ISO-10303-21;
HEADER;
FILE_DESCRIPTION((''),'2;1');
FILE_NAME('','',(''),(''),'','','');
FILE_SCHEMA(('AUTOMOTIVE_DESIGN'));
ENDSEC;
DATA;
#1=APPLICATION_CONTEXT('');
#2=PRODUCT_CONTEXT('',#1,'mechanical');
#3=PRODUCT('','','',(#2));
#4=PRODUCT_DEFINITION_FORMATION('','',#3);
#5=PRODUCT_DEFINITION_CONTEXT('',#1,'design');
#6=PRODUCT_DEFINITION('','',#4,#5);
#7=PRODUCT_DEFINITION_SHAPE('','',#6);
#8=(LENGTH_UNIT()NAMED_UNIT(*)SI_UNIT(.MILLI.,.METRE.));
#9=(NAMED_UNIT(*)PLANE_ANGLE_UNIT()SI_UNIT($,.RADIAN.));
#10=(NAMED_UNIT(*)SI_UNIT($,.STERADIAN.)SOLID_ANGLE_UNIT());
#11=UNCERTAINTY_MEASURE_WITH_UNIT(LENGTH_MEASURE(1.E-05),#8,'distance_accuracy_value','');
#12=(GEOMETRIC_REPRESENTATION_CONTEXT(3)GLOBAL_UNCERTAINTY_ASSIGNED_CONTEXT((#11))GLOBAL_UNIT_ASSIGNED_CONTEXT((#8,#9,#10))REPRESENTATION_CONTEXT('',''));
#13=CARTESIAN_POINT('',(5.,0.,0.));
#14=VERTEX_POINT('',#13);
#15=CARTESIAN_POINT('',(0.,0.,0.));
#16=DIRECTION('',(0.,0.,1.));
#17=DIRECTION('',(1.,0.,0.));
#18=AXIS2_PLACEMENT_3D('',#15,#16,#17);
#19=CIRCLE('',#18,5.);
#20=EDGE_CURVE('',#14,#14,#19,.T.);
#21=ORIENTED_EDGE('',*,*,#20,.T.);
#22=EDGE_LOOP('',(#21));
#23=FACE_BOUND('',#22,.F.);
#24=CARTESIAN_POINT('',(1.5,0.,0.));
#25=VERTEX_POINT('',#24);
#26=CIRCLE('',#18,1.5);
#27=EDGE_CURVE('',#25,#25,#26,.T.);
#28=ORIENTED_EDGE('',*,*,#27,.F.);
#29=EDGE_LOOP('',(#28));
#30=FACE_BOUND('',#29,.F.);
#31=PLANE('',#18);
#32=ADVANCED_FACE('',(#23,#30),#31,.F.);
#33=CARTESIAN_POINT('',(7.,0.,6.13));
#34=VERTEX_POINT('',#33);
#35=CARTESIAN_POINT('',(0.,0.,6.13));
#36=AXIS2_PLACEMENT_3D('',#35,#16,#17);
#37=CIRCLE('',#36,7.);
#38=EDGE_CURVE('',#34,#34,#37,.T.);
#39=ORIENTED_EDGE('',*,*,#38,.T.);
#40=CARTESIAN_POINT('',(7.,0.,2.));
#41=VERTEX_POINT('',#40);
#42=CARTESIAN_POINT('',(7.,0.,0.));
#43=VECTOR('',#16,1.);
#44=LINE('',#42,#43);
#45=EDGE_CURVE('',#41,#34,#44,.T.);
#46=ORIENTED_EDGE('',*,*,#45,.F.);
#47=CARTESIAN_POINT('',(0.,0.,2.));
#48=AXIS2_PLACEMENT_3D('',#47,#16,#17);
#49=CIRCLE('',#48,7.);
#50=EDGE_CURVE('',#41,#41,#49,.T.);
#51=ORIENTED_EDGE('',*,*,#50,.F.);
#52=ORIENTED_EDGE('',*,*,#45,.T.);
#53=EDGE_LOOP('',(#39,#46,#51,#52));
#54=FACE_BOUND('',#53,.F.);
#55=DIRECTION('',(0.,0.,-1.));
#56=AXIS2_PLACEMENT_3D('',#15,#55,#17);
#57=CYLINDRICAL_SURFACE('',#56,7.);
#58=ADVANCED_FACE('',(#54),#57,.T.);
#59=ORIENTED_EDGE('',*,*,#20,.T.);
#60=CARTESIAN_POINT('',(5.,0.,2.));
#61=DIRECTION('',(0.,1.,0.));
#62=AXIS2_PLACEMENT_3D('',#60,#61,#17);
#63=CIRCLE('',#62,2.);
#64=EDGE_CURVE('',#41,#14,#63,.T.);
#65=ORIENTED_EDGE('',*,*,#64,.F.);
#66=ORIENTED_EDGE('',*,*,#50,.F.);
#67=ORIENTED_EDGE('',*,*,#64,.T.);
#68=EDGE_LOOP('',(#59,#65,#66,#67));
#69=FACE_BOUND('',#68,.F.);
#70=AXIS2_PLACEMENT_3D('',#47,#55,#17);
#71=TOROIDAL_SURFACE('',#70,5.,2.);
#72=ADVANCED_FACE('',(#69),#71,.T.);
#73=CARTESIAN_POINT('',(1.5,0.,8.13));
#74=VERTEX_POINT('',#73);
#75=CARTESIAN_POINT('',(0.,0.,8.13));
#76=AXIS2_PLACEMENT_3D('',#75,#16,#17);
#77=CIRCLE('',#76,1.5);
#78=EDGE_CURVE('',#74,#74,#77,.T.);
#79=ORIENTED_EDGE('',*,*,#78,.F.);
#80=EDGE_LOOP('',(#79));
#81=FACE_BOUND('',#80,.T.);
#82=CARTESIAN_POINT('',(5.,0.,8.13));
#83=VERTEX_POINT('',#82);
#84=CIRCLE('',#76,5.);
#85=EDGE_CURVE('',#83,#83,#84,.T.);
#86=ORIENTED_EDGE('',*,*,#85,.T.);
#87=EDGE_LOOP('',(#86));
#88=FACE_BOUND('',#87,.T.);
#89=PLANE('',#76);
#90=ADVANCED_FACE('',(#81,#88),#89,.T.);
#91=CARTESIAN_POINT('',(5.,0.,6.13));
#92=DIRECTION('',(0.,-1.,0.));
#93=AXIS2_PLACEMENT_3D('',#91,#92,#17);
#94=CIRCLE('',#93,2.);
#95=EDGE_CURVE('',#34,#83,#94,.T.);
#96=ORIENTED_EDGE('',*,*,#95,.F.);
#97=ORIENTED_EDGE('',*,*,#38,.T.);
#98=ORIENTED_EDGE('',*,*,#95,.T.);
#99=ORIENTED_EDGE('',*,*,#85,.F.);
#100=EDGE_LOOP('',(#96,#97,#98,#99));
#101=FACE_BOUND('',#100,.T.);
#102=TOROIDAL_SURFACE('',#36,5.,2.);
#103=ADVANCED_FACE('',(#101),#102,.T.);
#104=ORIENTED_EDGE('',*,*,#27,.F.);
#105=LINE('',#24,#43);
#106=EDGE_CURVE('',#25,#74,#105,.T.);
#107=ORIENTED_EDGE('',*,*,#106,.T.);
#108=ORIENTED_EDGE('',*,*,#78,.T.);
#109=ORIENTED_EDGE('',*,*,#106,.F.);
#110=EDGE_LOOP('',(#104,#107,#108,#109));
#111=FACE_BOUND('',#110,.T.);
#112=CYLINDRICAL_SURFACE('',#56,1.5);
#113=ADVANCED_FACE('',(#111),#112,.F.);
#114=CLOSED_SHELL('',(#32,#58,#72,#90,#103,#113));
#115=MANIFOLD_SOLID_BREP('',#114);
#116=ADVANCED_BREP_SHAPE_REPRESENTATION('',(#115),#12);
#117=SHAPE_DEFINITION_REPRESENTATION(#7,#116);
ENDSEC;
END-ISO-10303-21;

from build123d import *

# Parameters (mm, degrees)
F0_R     = 7
F0_R_2   = 1.5
F1_DEPTH = 8.13
F2_R     = 2
F3_R     = 2


with BuildPart() as f1:
    # F0 (on Top) → F1 (new body)
    with BuildSketch(Plane.XY):
        Circle(F0_R)
        Circle(F0_R_2, mode=Mode.SUBTRACT)
    extrude(amount=F1_DEPTH)

    # F2
    f2_edges = [f1.edges().sort_by_distance(p)[0] for p in [
        (-7, 0, 8.13),
    ]]
    fillet(f2_edges, radius=F2_R)

    # F3
    f3_edges = [f1.edges().sort_by_distance(p)[0] for p in [
        (-7, 0, 0),
    ]]
    fillet(f3_edges, radius=F3_R)


solid = f1.part
